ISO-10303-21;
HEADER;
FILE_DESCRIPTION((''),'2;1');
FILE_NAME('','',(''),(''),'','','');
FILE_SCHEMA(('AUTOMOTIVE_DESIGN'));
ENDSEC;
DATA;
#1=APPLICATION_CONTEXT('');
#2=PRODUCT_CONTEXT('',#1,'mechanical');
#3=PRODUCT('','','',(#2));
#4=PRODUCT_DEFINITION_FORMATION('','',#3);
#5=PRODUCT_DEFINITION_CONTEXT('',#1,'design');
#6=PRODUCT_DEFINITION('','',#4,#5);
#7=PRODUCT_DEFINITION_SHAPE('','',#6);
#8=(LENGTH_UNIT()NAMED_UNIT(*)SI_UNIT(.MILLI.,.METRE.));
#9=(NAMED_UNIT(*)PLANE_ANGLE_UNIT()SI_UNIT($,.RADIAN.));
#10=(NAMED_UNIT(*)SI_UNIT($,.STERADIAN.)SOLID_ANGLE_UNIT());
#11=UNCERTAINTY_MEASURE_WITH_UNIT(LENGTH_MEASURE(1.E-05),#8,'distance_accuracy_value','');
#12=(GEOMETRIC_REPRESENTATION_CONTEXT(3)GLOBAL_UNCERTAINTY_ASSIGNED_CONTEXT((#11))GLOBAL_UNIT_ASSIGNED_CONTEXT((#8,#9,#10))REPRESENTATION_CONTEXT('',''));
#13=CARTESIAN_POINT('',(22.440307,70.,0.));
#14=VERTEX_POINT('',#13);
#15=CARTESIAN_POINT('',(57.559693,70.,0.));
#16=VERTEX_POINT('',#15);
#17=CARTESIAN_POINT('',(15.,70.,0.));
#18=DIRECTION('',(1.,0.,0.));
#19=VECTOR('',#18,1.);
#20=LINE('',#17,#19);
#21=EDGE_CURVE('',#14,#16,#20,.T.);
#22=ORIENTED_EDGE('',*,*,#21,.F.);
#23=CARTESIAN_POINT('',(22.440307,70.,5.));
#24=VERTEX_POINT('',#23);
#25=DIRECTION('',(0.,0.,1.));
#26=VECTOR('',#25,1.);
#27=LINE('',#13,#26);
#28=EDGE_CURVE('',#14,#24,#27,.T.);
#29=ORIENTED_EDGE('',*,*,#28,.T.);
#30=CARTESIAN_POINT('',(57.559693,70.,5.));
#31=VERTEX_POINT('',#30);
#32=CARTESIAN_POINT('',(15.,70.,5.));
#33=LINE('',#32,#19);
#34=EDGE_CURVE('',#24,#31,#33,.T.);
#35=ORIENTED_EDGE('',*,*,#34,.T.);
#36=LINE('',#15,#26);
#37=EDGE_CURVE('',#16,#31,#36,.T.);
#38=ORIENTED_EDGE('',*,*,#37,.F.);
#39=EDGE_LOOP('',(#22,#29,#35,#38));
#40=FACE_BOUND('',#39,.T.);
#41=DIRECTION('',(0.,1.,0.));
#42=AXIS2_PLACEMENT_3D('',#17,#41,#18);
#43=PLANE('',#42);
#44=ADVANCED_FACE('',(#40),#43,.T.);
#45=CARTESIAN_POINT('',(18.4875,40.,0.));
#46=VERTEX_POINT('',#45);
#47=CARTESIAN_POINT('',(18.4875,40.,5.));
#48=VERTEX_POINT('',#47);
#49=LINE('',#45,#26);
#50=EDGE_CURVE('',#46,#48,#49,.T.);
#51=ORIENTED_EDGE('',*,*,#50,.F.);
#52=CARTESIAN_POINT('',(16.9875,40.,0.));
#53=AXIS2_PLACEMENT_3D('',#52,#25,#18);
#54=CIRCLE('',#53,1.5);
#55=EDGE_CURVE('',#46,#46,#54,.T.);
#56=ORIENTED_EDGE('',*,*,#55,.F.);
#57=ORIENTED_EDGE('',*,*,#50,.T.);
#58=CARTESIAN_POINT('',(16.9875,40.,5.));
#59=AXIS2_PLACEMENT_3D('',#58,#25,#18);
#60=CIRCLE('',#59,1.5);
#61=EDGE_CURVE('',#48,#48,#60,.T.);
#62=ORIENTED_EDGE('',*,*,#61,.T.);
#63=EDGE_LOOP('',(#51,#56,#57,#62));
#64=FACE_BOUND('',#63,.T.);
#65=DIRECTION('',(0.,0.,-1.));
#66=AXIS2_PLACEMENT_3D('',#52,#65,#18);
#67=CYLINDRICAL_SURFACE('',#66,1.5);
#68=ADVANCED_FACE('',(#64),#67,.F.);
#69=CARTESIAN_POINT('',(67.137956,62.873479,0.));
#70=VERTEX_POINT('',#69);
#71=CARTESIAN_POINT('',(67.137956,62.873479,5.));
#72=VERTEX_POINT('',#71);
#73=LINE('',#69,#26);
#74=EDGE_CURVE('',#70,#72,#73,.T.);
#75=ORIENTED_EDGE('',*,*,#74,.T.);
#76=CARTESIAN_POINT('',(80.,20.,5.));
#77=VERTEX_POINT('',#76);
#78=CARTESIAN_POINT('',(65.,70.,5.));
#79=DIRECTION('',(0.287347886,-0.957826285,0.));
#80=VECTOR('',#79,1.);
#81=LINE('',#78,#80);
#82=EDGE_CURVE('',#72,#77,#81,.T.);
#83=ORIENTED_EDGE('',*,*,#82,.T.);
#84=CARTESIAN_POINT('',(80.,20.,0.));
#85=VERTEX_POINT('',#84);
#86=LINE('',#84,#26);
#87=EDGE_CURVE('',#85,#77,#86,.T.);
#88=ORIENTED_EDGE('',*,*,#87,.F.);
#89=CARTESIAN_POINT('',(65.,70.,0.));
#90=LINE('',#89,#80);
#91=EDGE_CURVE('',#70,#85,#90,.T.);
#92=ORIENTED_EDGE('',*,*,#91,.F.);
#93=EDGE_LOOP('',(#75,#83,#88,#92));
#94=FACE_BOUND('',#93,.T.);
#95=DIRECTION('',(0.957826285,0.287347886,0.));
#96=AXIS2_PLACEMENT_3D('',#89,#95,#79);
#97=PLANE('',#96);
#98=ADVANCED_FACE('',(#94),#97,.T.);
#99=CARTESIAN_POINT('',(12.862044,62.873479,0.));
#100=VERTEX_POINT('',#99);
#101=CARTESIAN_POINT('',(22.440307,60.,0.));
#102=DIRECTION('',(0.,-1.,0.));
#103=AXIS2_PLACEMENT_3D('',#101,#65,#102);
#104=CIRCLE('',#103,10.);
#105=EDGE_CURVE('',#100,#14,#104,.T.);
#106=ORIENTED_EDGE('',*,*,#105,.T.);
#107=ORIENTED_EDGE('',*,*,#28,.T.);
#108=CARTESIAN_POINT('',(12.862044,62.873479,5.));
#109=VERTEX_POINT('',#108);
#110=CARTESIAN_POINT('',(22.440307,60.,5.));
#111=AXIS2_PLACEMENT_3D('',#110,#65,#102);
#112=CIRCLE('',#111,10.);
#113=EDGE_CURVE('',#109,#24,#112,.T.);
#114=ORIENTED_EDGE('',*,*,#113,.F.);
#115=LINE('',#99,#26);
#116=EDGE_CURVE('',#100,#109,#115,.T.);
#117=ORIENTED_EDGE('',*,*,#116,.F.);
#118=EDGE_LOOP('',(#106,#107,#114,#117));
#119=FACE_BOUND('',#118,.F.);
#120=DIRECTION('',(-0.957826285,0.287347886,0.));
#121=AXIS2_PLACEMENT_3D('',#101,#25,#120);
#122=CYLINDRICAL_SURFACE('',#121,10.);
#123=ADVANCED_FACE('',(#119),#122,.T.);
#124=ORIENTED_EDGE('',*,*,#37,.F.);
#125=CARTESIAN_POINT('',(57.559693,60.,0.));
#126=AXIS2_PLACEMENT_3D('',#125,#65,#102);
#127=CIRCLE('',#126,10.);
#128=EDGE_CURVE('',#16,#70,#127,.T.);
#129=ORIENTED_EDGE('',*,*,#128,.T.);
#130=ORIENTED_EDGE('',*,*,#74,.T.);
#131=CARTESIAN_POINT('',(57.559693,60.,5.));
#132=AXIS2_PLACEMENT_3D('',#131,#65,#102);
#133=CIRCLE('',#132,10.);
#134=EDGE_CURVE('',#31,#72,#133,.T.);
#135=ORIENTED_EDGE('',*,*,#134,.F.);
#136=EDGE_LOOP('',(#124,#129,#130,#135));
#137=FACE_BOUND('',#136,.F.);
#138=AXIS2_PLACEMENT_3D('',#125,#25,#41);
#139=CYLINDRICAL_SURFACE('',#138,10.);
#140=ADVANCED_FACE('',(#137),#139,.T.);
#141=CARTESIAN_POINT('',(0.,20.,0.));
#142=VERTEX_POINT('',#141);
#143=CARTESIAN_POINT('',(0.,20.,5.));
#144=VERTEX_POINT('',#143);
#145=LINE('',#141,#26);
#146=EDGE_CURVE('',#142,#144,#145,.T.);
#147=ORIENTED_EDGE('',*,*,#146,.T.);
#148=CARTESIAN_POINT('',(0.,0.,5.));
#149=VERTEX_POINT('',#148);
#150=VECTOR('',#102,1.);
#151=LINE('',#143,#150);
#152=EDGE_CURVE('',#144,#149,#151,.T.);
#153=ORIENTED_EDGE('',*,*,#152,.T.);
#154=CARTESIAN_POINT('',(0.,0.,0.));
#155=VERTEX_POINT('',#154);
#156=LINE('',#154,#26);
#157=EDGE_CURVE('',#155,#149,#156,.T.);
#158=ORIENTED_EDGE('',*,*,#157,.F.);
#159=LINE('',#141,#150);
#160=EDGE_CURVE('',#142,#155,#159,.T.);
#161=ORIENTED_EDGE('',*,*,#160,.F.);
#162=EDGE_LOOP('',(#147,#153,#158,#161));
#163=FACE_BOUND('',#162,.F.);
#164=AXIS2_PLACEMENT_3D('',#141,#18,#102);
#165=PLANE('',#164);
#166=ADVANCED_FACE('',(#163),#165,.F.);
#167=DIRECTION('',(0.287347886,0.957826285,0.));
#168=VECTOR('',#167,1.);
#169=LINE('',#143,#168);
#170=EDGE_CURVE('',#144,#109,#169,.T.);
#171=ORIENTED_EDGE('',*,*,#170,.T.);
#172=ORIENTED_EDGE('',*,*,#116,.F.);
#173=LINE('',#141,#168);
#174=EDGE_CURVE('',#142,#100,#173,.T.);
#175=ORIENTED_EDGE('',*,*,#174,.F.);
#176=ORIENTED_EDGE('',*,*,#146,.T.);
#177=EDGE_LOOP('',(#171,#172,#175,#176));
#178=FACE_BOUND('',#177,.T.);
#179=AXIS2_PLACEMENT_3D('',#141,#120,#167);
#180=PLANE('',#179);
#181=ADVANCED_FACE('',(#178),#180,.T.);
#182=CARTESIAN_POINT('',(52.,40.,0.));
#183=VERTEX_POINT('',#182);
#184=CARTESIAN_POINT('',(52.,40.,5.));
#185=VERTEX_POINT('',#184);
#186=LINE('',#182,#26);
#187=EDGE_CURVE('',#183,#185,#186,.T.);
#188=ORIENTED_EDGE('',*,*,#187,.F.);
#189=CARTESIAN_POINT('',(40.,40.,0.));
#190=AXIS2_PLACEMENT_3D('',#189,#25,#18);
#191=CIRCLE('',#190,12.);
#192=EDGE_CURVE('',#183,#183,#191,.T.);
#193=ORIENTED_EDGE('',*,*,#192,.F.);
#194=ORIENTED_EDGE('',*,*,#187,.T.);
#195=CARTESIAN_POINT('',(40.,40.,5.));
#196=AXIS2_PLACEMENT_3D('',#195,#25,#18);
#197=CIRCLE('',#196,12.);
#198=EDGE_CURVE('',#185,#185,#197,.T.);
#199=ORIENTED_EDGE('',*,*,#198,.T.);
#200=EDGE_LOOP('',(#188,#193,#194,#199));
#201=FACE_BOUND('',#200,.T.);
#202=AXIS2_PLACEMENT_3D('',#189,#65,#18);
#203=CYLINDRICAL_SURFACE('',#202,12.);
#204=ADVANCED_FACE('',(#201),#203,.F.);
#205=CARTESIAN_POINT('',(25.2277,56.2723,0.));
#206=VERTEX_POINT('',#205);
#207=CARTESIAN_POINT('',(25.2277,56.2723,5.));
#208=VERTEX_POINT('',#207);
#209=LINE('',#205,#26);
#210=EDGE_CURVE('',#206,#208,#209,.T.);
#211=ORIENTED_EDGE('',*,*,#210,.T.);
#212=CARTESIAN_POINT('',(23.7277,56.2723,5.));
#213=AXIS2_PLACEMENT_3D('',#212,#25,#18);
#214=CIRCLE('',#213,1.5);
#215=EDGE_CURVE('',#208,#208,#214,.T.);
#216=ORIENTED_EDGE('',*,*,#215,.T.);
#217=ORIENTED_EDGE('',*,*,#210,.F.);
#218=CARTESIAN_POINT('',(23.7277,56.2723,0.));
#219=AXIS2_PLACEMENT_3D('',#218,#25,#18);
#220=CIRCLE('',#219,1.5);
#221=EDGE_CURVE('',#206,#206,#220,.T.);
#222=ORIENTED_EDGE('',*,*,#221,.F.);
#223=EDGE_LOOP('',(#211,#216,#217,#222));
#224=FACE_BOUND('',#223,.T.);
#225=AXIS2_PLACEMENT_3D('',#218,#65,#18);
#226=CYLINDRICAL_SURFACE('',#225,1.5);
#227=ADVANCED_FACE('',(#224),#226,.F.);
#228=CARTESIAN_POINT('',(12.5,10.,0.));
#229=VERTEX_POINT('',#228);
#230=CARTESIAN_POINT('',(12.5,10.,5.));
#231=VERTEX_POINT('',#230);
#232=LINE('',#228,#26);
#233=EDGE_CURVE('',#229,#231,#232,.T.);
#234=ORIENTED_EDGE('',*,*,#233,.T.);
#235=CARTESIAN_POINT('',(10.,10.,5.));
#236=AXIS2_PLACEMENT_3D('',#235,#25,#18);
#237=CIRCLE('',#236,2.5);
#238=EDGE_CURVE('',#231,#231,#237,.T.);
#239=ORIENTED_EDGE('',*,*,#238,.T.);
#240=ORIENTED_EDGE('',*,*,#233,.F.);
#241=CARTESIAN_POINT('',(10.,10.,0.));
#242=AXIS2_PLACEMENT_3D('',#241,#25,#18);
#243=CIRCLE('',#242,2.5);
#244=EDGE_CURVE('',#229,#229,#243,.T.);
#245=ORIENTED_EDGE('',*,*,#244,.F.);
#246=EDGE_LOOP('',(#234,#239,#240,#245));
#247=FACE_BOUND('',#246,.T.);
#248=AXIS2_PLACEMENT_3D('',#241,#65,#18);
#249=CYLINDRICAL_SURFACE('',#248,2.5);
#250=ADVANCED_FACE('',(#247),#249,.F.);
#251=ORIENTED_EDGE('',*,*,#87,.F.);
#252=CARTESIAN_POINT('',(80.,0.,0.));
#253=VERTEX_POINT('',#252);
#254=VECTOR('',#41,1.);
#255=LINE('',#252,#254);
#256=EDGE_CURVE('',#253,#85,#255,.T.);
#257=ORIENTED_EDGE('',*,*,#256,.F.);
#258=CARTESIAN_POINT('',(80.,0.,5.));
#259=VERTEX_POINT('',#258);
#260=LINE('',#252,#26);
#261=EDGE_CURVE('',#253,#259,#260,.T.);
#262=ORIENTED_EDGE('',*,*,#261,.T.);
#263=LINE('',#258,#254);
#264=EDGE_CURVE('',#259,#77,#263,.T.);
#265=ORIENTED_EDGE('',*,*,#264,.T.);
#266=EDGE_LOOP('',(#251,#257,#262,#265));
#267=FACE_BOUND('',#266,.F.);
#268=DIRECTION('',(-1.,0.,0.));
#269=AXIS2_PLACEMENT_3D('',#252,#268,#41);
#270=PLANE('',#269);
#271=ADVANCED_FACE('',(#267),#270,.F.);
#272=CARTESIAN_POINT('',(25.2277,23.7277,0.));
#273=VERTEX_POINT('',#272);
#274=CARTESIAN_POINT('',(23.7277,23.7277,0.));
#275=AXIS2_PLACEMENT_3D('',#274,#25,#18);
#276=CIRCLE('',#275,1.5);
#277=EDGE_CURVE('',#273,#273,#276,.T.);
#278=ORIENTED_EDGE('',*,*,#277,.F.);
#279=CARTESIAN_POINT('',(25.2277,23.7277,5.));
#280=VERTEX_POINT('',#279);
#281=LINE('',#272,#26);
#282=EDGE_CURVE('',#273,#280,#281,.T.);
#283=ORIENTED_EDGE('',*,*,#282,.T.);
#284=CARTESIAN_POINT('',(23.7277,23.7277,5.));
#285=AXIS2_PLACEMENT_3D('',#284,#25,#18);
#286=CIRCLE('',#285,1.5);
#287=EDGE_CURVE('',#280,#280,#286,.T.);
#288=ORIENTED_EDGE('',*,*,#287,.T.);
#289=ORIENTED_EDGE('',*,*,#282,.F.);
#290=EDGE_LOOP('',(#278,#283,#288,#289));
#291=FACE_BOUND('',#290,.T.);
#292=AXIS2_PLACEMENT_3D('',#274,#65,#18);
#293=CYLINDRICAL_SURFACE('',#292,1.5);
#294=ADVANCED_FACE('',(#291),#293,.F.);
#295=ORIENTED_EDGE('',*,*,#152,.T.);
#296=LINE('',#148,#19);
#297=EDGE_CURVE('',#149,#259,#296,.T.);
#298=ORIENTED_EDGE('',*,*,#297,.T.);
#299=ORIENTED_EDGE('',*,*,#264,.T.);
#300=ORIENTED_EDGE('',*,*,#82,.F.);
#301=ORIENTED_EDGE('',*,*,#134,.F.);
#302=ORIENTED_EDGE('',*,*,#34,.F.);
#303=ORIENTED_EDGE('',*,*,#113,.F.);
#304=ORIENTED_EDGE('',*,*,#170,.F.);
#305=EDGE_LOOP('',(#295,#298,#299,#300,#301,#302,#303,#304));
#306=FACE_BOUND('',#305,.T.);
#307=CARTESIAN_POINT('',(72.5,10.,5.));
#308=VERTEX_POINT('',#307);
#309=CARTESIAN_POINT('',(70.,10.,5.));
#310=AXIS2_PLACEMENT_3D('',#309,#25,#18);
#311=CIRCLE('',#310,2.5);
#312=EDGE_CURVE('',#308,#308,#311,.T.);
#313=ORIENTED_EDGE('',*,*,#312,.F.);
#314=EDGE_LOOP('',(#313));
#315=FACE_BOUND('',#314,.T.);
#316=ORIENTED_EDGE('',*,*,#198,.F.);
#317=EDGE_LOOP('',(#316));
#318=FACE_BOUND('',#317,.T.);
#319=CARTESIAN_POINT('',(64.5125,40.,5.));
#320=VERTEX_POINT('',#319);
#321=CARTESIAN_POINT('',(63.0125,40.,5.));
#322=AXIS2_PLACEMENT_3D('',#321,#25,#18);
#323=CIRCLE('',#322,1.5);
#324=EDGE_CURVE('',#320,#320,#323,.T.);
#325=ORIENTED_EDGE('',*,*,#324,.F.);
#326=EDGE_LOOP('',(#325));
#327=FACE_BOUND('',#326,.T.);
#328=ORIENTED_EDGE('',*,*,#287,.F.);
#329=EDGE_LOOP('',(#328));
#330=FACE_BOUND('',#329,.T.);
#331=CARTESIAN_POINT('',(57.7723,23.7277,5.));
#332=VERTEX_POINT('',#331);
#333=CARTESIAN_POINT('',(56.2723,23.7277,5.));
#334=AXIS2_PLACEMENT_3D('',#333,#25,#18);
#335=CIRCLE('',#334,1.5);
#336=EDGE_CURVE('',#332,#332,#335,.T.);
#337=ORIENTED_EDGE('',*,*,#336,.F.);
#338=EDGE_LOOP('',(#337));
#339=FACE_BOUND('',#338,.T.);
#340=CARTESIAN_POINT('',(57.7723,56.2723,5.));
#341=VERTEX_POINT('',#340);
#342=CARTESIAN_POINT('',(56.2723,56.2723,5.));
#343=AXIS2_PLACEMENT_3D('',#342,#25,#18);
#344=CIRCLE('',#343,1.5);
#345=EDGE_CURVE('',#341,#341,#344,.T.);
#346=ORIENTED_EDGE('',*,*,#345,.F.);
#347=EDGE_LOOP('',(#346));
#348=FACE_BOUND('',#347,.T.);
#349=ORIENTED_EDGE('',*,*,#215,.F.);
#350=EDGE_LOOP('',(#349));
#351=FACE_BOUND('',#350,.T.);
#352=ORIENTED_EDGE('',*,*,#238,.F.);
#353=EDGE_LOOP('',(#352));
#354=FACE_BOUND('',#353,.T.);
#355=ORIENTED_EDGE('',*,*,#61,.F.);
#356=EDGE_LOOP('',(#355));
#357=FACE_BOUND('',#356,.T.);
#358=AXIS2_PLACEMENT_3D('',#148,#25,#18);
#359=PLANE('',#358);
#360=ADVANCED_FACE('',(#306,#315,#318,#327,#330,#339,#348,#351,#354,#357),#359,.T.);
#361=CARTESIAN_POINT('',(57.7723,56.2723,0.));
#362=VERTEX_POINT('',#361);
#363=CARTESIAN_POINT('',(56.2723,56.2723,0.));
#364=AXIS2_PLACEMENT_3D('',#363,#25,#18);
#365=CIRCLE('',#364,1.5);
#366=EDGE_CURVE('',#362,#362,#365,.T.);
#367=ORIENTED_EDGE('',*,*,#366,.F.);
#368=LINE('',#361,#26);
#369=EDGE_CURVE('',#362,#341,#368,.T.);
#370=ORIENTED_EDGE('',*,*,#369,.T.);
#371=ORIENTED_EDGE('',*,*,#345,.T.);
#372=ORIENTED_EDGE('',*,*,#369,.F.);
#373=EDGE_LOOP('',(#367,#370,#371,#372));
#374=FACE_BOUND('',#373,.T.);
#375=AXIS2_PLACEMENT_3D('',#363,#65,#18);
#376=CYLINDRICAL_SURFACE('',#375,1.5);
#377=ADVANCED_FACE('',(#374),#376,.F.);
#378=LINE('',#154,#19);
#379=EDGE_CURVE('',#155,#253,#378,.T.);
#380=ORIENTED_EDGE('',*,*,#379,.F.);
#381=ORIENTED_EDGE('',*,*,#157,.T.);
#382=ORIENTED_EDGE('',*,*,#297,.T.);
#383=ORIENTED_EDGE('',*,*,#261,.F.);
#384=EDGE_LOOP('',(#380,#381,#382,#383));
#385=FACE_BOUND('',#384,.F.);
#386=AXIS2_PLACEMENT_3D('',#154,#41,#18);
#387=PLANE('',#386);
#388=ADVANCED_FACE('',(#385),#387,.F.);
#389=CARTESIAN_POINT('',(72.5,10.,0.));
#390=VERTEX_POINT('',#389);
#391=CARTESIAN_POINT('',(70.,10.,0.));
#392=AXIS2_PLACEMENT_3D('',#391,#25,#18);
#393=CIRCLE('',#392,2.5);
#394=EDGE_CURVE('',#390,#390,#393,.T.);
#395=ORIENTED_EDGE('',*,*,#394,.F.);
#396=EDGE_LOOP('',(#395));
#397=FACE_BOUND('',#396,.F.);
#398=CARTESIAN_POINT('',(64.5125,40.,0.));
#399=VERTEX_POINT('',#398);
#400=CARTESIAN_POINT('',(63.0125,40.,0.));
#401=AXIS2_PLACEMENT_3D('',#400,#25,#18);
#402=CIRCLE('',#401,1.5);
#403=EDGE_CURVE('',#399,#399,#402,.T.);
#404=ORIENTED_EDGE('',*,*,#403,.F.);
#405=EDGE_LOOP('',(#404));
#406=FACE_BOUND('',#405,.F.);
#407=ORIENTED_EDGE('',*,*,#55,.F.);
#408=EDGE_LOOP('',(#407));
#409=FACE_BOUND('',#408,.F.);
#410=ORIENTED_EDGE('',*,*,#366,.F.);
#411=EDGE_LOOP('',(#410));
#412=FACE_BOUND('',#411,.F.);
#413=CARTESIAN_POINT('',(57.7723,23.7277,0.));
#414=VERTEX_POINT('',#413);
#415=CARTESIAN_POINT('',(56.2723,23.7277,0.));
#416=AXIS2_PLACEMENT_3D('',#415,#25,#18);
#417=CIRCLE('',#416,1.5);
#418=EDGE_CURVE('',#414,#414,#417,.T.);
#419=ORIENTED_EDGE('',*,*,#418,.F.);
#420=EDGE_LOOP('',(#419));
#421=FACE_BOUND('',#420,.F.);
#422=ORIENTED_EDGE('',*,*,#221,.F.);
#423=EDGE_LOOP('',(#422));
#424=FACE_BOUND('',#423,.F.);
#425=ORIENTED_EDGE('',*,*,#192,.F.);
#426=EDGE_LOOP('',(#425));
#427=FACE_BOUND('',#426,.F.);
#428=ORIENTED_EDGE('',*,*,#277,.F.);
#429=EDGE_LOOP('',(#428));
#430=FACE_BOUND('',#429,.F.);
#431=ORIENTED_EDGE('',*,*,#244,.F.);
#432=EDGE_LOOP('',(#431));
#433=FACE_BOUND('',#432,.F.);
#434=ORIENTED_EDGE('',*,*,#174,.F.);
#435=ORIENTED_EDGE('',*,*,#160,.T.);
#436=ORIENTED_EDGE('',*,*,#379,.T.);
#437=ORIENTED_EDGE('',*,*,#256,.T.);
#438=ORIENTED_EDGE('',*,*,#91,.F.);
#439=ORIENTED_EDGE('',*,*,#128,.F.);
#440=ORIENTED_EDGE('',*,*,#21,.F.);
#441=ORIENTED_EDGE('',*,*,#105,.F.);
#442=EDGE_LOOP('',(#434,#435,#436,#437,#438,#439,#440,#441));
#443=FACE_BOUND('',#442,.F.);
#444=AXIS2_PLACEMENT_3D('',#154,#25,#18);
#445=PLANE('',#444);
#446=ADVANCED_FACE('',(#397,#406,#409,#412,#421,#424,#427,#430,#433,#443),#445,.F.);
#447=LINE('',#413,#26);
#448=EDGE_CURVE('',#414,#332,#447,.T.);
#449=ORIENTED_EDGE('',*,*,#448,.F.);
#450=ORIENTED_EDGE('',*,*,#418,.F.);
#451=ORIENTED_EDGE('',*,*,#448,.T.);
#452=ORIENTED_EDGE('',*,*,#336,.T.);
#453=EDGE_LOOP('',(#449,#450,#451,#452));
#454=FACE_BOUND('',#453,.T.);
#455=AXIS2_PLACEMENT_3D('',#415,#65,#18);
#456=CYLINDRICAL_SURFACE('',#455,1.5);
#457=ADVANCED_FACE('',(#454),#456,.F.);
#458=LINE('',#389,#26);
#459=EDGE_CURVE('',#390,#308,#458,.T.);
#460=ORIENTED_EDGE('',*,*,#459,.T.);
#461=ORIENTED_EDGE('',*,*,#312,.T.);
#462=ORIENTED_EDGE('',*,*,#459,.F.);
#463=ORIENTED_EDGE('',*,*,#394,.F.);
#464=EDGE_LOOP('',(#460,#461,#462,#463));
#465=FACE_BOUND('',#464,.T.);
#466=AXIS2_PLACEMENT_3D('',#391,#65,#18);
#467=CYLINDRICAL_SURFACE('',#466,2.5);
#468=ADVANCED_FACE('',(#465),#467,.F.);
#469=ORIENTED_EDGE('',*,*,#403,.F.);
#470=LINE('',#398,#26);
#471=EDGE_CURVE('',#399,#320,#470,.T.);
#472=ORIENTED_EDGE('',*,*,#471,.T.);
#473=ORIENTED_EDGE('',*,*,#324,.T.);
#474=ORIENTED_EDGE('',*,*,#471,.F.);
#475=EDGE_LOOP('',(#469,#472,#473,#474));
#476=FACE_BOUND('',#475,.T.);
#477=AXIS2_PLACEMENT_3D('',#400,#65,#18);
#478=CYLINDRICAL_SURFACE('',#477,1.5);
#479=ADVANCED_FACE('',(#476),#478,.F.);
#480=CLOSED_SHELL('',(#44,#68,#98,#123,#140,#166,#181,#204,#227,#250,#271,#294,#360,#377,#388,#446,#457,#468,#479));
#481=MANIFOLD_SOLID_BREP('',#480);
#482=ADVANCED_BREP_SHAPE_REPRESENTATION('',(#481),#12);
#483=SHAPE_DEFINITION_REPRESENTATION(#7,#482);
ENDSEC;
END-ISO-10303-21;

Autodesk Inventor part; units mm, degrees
ref_plane "YZ Plane" through (0, 0, 0) normal (1, 0, 0) x (0, 1, 0)
ref_plane "XZ Plane" through (0, 0, 0) normal (0, 1, 0) x (-1, 0, 0)
ref_plane "XY Plane" through (0, 0, 0) normal (0, 0, 1) x (1, 0, 0)
sketch "スケッチ1" plane through (0, 0, 0) normal (0, 0, 1) x (1, 0, 0)
  line L0 (0, 0) -> (80, 0)
  line L1 (80, 0) -> (80, 20)
  line L2 (40, 0) -> (40, 153.3333) construction
  line L3 (0, 20) -> (0, 0)
  line L4 (0, 20) -> (15, 70)
  line L5 (65, 70) -> (80, 20)
  circle A0 centre (40, 40) radius 12
  line L6 (0, 10) -> (80, 10) construction
  circle A1 centre (10, 10) radius 2.5
  circle A2 centre (70, 10) radius 2.5
  line L7 (40, 40) -> (63.0125, 40) construction
  circle A3 centre (63.0125, 40) radius 1.5
  circle A4 centre (16.9875, 40) radius 1.5
  circle A5 centre (40, 40) radius 13.25 construction
  line L8 (15, 70) -> (65, 70)
  circle A6 centre (40, 40) radius 23.0125 construction
  line L9 (23.7277, 56.2723) -> (56.2723, 23.7277) construction
  circle A7 centre (56.2723, 23.7277) radius 1.5
  circle A8 centre (23.7277, 56.2723) radius 1.5
  circle A9 centre (56.2723, 56.2723) radius 1.5
  circle A10 centre (23.7277, 23.7277) radius 1.5
  dimension "d0" = 20
  dimension "d2" = 80
  dimension "d5" = 24
  dimension "d6" = 5
  dimension "d7" = 10
  dimension "d10" = 23.0125
  dimension "d11" = 3
  dimension "d12" = 26.5
  dimension "d13" = 40
  dimension "d14" = 30
  dimension "d16" = 50
  dimension "d18" = 45
extrude "押し出し1" add sketch "スケッチ1" along normal blind 5
fillet "フィレット1" radius 10 2 edges at (65, 70, 2.5) (15, 70, 2.5)
properties part number "車軸受け板"
